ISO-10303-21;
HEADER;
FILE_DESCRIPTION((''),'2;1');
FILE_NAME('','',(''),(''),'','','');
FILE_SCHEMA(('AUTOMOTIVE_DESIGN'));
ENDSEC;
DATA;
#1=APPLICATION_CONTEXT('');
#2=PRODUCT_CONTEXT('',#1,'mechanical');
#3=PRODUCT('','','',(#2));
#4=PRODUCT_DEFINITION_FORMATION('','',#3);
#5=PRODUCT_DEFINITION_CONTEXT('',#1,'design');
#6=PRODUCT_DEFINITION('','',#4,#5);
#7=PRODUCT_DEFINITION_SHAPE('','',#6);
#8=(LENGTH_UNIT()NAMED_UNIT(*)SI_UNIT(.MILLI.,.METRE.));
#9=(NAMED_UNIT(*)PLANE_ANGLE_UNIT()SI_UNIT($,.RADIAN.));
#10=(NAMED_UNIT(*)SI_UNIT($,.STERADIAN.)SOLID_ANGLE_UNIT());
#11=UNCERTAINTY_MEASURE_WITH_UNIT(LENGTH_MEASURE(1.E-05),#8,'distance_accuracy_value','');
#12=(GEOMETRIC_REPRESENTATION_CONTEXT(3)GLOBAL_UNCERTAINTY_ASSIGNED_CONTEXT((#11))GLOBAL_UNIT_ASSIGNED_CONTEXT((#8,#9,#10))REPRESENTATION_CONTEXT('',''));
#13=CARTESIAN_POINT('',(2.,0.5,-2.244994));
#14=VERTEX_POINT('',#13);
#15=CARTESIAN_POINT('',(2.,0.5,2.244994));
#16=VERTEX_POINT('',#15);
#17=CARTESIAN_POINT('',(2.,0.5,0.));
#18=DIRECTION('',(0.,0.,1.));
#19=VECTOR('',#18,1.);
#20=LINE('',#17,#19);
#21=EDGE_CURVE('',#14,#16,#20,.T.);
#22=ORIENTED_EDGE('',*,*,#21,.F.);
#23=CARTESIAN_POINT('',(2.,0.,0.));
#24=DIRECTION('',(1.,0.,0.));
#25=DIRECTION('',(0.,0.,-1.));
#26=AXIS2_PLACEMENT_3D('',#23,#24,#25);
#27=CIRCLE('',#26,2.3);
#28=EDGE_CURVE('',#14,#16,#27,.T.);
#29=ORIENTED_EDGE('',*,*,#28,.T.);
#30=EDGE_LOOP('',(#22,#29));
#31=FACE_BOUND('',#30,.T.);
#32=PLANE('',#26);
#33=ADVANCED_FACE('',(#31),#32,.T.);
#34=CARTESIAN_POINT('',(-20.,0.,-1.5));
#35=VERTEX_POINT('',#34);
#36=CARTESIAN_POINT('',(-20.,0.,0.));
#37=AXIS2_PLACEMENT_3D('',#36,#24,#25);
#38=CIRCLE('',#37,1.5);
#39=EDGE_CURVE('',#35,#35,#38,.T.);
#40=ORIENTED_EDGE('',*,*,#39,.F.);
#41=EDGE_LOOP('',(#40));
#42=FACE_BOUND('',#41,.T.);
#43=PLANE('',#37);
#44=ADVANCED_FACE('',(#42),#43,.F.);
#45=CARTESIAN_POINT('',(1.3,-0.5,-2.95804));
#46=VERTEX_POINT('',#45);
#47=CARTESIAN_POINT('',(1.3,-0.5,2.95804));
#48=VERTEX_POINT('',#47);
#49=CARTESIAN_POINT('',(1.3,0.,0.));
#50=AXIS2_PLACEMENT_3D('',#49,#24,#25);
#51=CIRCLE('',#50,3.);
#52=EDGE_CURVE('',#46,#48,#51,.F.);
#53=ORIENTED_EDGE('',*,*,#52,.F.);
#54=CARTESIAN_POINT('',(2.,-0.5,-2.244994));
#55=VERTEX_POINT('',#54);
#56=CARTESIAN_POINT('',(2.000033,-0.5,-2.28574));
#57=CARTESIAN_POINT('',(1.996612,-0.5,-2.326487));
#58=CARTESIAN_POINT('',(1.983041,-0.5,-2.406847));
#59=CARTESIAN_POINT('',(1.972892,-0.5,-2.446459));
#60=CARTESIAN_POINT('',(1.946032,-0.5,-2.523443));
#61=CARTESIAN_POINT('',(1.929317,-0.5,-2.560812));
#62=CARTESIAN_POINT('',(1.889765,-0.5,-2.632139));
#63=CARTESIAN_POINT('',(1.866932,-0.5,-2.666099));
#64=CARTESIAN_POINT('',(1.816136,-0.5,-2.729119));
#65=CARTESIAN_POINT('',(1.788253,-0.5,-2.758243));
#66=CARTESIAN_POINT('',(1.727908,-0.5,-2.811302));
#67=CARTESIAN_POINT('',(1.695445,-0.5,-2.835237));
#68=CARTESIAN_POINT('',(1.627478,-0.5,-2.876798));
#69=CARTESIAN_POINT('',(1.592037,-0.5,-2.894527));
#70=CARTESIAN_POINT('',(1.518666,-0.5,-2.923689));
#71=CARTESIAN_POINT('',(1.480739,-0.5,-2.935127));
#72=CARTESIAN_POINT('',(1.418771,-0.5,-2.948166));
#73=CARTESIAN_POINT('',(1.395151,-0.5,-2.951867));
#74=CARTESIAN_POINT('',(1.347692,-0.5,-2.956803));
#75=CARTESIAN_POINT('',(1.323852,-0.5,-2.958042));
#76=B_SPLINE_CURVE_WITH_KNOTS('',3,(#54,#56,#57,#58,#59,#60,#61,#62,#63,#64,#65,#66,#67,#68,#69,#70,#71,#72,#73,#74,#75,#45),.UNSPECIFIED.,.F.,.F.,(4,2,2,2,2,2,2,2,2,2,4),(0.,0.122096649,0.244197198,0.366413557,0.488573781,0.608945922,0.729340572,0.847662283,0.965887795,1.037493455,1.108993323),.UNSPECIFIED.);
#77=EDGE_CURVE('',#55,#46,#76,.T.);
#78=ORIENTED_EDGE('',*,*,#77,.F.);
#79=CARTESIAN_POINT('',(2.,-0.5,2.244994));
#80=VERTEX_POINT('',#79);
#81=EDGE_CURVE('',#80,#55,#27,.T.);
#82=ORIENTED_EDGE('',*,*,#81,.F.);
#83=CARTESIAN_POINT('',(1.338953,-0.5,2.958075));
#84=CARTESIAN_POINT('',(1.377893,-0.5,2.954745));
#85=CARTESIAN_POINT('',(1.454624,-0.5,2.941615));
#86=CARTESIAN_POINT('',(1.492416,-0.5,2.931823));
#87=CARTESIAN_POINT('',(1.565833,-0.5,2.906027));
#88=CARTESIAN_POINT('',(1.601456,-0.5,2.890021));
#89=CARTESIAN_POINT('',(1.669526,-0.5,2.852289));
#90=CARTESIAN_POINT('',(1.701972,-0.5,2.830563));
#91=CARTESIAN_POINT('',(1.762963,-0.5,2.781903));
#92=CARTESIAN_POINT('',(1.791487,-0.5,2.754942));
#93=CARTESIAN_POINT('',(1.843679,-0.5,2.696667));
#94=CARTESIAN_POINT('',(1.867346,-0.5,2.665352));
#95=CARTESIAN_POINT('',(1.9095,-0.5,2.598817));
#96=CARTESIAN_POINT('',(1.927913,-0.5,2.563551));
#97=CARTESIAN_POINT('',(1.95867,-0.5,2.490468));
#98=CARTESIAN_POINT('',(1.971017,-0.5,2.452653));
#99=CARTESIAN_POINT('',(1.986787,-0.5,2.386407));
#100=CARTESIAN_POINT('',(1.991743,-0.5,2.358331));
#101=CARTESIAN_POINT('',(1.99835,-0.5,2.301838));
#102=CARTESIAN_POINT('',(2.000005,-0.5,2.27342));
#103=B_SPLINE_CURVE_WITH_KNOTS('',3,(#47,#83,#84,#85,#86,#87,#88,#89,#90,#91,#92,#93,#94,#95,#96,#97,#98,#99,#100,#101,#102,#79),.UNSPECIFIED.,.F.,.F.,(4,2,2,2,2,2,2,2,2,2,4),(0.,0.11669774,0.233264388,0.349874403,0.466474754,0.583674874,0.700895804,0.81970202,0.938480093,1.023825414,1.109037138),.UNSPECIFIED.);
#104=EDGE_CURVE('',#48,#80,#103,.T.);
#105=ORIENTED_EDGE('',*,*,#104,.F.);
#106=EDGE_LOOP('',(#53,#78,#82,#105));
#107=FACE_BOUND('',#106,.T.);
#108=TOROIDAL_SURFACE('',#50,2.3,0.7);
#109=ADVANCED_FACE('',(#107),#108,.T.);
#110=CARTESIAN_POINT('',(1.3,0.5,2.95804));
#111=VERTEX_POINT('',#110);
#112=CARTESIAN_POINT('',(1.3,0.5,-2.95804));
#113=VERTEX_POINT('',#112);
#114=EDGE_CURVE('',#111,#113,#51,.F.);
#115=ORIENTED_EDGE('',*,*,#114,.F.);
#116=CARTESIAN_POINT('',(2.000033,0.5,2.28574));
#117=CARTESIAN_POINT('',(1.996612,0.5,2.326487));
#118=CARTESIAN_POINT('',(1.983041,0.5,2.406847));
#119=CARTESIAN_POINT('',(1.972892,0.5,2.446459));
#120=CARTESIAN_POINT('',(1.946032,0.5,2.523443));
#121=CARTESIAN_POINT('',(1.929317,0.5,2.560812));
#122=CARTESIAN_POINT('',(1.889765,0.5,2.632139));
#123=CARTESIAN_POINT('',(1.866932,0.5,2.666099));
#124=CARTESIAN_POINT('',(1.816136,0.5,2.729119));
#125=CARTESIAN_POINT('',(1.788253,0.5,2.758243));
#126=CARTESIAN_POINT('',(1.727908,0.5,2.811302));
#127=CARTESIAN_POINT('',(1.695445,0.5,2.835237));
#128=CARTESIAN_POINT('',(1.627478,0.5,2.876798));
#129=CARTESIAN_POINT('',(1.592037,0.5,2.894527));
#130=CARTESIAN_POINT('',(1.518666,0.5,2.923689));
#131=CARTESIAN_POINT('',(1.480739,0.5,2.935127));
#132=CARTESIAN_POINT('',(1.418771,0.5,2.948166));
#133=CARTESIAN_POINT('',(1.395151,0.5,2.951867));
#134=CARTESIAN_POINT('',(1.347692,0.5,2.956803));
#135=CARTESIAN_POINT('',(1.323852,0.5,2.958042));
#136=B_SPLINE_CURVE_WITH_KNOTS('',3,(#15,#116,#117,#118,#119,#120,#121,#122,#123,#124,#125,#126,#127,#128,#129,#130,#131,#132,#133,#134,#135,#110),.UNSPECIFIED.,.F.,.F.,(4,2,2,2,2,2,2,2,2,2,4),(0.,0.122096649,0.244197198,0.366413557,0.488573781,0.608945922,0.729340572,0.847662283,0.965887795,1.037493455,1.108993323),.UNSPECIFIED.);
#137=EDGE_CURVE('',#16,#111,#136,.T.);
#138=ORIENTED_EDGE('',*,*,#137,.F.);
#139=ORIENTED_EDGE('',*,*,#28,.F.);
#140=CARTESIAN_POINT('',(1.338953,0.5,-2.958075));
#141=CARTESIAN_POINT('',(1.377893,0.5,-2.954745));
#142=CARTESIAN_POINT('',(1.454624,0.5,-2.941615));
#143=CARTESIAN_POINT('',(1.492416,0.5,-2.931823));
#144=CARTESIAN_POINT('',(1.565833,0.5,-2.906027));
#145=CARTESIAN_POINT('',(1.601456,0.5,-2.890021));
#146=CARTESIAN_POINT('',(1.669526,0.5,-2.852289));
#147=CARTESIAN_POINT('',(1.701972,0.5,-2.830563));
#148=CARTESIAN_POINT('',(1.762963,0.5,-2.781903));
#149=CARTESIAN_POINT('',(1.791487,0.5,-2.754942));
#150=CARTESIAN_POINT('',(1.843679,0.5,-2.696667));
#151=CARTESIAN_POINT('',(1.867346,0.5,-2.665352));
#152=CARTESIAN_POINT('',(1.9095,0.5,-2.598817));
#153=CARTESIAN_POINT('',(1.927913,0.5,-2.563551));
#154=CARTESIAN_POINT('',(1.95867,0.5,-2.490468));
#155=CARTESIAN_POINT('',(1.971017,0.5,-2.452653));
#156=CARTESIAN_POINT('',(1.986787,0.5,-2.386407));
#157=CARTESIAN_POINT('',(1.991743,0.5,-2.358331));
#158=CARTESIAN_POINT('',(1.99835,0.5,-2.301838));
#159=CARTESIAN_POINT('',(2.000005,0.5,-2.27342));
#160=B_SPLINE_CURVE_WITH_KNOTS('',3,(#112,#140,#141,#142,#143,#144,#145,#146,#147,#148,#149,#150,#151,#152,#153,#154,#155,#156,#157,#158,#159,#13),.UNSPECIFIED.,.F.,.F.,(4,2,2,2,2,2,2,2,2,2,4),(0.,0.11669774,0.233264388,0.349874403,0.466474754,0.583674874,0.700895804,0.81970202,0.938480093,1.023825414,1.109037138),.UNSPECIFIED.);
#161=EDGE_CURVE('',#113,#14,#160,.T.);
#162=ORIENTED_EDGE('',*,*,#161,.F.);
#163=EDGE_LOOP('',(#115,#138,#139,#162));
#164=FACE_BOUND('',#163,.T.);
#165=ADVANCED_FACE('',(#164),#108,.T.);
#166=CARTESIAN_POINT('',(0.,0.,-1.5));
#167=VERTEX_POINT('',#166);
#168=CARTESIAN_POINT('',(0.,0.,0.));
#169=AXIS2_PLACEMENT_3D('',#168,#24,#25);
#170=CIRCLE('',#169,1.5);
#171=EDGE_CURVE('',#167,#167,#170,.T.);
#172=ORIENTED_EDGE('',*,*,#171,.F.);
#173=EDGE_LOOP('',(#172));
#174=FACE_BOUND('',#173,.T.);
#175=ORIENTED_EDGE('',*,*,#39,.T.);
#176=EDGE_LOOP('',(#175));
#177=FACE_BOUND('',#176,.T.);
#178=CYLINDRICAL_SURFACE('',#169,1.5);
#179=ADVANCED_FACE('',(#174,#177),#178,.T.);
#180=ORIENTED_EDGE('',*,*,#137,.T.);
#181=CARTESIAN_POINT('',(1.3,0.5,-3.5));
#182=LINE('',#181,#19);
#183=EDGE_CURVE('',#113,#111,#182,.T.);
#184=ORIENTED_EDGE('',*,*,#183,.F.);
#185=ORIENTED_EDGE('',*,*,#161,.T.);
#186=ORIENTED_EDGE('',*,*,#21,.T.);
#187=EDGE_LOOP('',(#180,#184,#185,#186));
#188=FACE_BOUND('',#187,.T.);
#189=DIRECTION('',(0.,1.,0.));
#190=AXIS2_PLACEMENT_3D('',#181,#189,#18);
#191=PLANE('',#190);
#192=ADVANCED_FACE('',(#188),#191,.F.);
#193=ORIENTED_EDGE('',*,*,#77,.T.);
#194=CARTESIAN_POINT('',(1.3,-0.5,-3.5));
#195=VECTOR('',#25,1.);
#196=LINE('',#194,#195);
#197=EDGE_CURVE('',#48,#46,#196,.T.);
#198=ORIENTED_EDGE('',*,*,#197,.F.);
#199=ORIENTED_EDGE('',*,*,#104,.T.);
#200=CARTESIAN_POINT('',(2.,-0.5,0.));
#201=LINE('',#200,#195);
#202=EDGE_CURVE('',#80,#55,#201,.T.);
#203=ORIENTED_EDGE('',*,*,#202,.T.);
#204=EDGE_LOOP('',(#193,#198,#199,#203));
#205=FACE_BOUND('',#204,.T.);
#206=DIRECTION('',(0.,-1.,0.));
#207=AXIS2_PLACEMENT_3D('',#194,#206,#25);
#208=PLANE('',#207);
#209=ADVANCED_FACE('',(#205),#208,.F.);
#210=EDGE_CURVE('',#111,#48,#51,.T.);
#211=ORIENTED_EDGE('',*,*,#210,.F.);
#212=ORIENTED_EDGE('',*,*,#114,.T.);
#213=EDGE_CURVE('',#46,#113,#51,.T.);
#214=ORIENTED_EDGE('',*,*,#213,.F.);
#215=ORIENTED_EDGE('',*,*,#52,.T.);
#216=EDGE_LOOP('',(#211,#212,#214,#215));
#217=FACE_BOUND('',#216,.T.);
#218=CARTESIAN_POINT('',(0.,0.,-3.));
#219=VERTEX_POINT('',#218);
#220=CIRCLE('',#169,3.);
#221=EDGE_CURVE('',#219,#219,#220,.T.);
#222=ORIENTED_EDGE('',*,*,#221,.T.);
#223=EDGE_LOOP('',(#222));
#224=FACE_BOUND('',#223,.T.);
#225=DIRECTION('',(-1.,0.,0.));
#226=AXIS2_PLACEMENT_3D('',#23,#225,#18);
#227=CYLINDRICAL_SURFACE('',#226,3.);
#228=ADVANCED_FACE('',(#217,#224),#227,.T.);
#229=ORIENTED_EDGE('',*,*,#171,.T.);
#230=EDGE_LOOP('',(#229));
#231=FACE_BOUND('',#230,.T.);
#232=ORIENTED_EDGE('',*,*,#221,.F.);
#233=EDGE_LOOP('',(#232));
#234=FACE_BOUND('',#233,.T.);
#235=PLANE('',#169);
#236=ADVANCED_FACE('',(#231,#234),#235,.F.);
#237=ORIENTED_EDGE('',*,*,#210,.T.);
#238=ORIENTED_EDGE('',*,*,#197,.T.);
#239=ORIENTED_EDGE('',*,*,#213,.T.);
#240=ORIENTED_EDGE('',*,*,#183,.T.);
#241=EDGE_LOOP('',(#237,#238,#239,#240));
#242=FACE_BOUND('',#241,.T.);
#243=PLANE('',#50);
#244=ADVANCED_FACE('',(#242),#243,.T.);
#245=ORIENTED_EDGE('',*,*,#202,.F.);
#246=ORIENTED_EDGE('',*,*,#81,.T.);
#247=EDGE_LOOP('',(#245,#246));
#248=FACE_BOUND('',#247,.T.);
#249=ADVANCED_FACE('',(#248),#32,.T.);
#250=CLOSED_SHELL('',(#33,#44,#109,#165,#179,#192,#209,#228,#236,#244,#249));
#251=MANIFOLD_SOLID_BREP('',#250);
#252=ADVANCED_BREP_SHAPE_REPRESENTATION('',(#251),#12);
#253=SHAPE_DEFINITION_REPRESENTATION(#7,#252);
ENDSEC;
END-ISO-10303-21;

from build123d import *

# Parameters (mm, degrees)
SCHIZZO1_W                   = 20
SCHIZZO1_H                   = 1.5
SCHIZZO3_R                   = 3
ESTRUSIONE_ESTRUSIONE1_DEPTH = 2
SCHIZZO4_W                   = 7
SCHIZZO4_H                   = 1
TAGLIO_ESTRUSIONE1_DEPTH     = 0.7
RACCORDO1_R                  = 0.7


with BuildPart() as part:
    # Schizzo1 → Rivoluzione-Sottile1 (revolve)
    with BuildSketch(Plane.XY):
        with Locations((-10, -0.75)):
            Rectangle(SCHIZZO1_W, SCHIZZO1_H)
    revolve(axis=Axis((0, 0, 0), (-1, 0, 0)))

    # Schizzo3 → Estrusione-Estrusione1 (add)
    with BuildSketch(Plane(origin=(0, 0, 0), x_dir=(0, 0, -1), z_dir=(1, 0, 0))):
        Circle(SCHIZZO3_R)
    extrude(amount=ESTRUSIONE_ESTRUSIONE1_DEPTH)

    # Schizzo4 → Taglio-Estrusione1 (cut)
    with BuildSketch(Plane(origin=(2, 0, 0), x_dir=(0, 0, -1), z_dir=(1, 0, 0))):
        Rectangle(SCHIZZO4_W, SCHIZZO4_H)
    extrude(amount=-TAGLIO_ESTRUSIONE1_DEPTH, mode=Mode.SUBTRACT)

    # Raccordo1
    raccordo1_edges = [part.edges().sort_by_distance(p)[0] for p in [
        (2, -3, 0),
        (2, 3, 0),
    ]]
    fillet(raccordo1_edges, radius=RACCORDO1_R)


solid = part.part
